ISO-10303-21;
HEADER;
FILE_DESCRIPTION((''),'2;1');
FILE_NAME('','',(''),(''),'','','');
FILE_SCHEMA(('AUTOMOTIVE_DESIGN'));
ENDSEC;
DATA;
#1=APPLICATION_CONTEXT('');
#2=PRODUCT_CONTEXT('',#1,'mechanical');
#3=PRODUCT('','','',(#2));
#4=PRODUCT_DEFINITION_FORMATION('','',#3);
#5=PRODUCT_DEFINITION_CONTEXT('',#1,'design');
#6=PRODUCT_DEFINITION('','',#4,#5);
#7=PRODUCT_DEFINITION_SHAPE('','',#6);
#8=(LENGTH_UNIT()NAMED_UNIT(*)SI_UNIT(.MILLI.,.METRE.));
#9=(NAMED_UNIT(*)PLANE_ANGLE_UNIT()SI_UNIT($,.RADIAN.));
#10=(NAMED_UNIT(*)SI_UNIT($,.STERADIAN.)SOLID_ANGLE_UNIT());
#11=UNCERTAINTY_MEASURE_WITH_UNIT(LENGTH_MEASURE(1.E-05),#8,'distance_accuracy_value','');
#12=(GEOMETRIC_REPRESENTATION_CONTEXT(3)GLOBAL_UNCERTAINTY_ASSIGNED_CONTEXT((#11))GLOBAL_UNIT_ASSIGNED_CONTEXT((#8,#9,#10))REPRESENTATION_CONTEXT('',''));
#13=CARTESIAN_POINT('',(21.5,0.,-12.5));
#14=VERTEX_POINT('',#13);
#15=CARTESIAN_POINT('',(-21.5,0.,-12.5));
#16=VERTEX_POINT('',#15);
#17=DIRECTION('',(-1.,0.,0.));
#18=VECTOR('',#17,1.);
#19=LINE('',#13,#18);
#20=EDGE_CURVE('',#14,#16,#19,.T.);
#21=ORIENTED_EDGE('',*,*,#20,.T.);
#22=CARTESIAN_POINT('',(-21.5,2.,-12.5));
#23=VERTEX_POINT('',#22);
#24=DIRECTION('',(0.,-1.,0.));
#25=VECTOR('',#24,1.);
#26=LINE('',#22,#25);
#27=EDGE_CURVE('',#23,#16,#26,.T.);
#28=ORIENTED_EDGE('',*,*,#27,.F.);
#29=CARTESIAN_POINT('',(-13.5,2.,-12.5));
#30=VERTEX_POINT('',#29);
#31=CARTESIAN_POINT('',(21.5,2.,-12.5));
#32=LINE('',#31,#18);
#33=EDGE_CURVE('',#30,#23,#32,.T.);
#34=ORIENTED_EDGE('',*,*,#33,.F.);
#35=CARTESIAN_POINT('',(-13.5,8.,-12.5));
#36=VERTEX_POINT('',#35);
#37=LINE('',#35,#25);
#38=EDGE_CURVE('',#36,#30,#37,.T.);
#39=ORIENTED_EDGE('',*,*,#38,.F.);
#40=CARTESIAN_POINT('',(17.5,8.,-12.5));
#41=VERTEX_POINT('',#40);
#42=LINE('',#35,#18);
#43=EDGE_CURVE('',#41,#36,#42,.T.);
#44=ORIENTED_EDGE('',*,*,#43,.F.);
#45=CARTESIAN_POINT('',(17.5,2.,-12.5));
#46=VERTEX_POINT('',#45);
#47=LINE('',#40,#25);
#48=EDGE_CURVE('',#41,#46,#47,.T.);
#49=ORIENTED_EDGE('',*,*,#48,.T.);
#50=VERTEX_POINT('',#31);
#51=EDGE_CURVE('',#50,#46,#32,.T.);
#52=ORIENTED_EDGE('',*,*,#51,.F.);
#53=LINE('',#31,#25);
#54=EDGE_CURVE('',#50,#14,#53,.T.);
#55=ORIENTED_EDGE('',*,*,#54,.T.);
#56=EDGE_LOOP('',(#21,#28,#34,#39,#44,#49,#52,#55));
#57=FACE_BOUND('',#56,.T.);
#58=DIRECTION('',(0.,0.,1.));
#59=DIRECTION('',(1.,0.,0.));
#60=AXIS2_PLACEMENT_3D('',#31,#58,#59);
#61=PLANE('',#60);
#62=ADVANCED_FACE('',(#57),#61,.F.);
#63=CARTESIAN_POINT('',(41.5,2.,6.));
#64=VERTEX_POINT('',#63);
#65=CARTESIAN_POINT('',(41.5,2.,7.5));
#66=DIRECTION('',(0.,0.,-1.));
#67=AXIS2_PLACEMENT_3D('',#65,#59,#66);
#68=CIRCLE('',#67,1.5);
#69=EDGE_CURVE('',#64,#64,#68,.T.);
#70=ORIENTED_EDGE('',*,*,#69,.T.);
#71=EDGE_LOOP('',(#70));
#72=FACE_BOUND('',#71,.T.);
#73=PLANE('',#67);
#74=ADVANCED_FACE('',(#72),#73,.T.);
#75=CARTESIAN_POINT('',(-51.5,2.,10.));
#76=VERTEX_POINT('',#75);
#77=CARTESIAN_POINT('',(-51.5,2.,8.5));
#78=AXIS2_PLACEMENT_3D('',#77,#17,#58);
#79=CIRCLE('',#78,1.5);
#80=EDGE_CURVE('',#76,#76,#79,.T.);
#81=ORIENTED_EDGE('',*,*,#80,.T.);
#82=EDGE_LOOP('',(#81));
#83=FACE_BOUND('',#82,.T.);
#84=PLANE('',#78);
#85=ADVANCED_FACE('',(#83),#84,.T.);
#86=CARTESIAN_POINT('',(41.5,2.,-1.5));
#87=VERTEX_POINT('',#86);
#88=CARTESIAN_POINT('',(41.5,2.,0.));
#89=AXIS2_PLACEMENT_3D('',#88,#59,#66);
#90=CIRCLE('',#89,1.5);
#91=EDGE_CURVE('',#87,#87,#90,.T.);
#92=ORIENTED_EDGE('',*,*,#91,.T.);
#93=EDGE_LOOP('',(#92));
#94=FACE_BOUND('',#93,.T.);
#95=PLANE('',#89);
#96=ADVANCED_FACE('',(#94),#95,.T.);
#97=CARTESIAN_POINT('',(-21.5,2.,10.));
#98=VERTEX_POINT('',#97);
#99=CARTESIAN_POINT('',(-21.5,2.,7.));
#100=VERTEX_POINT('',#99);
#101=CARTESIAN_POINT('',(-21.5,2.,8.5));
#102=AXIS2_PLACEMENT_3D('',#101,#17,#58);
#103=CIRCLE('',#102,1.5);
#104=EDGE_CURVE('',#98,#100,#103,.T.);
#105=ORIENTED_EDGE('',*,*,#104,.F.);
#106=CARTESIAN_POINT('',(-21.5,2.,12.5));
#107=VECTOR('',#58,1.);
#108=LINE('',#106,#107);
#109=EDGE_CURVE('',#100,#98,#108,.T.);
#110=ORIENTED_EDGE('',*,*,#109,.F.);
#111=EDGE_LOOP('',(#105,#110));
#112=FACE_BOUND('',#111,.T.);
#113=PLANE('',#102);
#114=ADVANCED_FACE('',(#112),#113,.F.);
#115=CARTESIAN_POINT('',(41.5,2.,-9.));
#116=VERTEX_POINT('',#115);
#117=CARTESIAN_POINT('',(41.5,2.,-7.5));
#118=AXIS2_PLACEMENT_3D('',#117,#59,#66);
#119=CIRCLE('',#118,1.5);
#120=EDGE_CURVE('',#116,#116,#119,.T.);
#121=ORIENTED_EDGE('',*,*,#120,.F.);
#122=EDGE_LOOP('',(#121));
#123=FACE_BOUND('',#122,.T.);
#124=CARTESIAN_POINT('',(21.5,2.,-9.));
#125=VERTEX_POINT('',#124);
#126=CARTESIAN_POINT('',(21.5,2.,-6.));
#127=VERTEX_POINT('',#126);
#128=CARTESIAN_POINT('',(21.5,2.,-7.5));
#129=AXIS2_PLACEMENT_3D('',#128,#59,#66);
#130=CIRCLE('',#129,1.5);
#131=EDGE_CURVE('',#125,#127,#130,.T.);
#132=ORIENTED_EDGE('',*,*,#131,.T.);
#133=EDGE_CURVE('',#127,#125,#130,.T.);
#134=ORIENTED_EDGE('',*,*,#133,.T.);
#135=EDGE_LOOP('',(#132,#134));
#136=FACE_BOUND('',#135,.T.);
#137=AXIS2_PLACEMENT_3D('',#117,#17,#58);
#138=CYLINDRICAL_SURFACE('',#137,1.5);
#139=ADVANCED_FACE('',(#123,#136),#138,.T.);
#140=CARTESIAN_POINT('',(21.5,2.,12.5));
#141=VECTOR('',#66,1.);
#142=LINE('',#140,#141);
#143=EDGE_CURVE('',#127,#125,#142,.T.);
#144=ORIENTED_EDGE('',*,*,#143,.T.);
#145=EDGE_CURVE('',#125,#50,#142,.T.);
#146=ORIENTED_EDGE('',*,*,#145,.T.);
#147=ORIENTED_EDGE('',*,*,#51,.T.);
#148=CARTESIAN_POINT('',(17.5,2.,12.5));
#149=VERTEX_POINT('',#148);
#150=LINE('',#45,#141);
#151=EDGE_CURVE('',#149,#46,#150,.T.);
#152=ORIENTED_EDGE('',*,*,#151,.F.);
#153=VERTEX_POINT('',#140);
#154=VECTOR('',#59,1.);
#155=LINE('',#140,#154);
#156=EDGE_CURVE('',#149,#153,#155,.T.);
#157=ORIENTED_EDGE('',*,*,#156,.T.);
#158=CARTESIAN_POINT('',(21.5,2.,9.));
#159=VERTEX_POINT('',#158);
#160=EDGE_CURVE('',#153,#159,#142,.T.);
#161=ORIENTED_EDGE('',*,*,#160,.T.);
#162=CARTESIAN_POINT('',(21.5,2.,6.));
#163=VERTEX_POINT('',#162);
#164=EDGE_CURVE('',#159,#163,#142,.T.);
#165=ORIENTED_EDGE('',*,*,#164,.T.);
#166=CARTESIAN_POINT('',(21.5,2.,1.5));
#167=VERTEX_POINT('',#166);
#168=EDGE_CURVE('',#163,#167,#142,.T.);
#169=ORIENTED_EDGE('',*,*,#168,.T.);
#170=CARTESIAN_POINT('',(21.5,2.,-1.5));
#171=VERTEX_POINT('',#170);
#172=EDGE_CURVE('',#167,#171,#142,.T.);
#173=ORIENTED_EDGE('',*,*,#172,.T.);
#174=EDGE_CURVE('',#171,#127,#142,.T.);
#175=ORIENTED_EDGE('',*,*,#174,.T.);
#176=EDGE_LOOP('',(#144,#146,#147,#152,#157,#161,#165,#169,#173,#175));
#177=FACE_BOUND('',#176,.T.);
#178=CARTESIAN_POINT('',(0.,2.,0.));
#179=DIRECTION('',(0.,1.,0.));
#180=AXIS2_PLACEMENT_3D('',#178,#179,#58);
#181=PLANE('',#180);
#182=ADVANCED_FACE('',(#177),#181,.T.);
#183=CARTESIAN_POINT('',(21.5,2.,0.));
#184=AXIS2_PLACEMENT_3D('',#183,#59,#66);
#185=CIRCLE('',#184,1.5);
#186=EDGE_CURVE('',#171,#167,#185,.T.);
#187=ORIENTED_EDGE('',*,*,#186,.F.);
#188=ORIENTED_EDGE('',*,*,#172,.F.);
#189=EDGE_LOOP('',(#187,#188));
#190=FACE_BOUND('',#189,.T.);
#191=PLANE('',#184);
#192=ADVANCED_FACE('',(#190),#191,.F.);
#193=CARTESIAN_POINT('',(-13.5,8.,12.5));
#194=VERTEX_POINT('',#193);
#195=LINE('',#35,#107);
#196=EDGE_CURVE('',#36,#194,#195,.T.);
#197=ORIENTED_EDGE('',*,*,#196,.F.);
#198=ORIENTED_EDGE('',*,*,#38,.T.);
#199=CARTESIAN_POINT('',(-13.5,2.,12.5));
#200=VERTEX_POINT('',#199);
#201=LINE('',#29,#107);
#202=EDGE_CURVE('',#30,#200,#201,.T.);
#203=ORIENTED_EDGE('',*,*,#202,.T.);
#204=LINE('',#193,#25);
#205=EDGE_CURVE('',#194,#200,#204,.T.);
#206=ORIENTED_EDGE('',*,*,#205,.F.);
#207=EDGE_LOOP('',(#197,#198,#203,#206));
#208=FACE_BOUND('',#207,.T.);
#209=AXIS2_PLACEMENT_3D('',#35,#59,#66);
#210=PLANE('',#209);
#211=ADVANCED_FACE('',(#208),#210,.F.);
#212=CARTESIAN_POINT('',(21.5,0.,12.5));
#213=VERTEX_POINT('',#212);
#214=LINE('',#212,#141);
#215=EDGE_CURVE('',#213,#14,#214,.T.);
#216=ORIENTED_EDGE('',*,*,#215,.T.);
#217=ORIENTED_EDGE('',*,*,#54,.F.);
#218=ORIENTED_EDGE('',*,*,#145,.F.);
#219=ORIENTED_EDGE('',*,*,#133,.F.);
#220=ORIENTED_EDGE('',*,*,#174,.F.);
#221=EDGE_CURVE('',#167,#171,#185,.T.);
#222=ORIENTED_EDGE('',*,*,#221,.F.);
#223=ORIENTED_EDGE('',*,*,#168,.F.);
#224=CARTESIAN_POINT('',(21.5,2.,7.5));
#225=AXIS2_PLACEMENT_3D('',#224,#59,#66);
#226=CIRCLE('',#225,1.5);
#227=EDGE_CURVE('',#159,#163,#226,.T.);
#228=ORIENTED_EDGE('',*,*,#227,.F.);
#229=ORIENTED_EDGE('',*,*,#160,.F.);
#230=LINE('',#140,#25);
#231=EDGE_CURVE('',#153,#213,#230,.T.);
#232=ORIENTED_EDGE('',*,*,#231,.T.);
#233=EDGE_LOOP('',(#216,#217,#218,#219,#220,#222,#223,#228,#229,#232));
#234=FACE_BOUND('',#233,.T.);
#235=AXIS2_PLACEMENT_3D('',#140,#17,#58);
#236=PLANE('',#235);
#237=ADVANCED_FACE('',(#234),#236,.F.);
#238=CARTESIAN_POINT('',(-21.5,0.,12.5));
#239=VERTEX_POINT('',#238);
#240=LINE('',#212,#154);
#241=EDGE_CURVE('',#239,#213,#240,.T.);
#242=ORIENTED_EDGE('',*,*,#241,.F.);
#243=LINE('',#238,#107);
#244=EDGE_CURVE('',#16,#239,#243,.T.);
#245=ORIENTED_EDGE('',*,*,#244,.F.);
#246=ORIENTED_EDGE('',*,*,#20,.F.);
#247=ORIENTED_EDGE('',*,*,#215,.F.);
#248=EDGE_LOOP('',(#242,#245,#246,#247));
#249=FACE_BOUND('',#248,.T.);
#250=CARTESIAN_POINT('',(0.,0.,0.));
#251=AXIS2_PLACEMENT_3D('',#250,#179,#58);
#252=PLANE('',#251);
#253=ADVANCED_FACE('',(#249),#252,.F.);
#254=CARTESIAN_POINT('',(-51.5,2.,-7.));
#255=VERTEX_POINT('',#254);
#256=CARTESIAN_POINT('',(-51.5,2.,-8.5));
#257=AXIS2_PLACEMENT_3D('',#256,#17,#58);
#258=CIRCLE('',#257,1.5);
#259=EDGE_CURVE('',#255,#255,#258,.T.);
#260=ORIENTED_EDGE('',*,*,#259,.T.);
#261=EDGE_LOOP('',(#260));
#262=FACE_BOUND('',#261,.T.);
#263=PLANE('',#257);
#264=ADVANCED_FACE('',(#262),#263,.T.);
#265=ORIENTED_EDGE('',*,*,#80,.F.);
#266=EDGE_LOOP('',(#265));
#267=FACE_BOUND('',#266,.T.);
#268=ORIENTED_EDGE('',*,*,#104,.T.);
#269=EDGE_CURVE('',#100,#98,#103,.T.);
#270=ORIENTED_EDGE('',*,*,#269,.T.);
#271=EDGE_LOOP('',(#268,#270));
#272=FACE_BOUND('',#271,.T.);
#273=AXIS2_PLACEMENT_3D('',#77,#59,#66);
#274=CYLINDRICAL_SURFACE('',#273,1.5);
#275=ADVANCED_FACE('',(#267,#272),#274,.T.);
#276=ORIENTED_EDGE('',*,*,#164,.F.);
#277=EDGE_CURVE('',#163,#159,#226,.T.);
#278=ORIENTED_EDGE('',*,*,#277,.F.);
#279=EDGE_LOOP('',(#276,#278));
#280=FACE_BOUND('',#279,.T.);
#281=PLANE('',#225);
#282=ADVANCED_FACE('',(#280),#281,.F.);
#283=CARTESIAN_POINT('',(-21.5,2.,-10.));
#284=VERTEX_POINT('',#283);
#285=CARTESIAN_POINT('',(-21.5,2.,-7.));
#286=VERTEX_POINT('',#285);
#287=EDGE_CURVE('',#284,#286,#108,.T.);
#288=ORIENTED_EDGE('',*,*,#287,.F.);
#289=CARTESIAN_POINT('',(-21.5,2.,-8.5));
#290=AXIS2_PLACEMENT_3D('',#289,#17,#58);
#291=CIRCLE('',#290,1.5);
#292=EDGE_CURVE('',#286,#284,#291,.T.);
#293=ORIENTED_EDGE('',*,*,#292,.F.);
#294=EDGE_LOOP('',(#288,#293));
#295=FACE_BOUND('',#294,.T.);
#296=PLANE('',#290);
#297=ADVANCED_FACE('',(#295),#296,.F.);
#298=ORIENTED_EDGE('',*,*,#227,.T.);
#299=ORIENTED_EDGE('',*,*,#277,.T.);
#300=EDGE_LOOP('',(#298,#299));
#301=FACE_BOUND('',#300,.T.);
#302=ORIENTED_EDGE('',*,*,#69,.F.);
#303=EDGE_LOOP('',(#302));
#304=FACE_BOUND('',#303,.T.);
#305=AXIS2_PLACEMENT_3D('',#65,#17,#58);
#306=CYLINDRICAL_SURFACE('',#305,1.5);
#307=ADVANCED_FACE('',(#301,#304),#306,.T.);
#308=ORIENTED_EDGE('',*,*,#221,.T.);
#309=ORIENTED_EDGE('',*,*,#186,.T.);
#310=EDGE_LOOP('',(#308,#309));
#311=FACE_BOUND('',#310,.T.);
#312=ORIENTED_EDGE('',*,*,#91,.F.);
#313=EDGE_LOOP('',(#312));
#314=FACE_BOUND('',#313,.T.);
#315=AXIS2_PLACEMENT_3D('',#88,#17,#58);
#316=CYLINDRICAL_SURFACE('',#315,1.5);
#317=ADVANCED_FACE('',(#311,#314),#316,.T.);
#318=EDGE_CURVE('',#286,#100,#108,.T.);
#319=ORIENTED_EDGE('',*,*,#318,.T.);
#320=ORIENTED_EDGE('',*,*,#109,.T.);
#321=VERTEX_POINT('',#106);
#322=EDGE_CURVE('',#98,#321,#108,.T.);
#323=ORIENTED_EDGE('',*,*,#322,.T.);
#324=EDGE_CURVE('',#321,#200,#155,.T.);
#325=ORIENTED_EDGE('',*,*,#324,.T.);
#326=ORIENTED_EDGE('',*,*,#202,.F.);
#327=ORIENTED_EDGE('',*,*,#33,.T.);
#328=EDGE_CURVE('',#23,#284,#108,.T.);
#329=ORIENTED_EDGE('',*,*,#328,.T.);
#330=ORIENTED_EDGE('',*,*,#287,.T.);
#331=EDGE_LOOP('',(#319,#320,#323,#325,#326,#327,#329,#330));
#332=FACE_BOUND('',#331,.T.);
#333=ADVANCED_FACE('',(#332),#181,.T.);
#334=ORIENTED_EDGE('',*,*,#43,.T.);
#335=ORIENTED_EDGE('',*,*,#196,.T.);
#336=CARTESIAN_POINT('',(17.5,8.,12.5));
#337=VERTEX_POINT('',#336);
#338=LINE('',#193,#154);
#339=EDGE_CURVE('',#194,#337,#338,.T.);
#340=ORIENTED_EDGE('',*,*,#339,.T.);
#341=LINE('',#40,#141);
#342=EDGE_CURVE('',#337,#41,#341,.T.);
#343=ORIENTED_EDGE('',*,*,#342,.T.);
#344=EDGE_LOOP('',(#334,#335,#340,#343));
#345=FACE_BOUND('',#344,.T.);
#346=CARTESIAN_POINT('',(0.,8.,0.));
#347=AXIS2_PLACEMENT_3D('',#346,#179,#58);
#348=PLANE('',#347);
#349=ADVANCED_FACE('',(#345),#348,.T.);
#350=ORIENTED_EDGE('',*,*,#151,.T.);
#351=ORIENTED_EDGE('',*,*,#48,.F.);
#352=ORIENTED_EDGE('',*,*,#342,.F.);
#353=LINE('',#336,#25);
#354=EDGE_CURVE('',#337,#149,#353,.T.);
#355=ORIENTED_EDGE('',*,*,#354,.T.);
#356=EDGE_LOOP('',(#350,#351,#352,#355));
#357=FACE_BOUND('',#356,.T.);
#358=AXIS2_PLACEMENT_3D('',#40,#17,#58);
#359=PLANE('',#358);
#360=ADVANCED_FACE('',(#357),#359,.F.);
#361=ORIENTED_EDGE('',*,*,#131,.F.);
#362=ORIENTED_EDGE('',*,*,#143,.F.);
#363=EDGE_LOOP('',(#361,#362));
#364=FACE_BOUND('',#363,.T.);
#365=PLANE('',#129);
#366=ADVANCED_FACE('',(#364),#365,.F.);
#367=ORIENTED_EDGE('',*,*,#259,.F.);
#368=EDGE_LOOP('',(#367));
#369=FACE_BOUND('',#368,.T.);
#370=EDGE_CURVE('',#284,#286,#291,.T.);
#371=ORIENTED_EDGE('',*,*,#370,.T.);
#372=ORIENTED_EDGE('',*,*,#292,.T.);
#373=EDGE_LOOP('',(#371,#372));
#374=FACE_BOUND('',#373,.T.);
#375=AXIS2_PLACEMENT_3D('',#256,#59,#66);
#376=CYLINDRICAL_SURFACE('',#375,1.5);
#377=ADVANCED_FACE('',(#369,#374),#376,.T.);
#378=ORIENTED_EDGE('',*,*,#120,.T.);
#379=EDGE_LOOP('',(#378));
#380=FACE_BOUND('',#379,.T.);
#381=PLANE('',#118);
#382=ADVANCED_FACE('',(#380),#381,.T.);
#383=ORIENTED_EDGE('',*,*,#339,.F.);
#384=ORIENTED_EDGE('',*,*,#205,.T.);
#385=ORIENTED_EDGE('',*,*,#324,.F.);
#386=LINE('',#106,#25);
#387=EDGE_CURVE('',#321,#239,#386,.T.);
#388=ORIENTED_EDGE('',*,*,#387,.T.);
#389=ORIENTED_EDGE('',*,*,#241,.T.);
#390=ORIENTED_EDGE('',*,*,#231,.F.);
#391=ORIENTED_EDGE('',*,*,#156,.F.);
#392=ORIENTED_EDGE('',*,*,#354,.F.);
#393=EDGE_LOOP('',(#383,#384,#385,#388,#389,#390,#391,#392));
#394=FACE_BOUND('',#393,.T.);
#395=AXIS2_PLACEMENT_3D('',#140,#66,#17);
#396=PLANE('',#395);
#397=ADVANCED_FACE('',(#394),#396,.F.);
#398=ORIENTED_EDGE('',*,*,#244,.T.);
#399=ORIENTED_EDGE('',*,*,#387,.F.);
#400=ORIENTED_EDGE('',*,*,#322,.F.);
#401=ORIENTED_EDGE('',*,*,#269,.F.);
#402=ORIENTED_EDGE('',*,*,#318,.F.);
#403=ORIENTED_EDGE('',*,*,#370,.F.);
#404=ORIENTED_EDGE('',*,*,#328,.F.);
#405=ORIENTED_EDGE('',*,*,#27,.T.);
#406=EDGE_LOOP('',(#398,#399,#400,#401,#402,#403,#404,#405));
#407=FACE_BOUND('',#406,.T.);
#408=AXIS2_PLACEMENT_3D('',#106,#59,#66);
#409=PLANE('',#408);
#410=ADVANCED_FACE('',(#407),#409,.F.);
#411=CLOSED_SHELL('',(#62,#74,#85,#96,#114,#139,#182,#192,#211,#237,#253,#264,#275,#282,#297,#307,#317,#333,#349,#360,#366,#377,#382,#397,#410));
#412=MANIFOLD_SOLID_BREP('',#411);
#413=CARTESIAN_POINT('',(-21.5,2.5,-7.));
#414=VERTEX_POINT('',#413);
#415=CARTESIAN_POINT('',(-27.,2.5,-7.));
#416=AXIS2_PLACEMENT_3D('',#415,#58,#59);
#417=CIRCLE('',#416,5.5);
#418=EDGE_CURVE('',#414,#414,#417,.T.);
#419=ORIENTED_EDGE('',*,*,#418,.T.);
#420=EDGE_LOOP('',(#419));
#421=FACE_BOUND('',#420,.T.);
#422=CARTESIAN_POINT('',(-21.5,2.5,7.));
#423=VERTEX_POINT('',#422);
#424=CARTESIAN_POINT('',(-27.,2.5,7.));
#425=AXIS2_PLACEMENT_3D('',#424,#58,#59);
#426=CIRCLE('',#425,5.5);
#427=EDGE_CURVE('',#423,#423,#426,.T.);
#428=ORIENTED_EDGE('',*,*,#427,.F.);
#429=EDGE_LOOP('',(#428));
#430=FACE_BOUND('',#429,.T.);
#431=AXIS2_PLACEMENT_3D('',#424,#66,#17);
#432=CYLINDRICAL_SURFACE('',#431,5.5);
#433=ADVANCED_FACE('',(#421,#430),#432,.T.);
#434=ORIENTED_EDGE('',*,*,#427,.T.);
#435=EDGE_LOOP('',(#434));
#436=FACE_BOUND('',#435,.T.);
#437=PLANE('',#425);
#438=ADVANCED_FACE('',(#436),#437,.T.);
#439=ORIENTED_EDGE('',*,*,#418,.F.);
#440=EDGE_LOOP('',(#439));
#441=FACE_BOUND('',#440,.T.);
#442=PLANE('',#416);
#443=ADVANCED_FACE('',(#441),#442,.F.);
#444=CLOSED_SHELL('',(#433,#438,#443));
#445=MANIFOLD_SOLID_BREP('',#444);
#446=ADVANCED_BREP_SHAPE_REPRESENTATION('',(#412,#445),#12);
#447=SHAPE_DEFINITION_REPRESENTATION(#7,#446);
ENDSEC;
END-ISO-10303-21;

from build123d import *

# Parameters (mm, degrees)
SKETCH1_W           = 43
SKETCH1_H           = 25
BOSS_EXTRUDE1_DEPTH = 2
SKETCH2_R           = 5.5
BOSS_EXTRUDE2_DEPTH = 7
SKETCH3_W           = 31
SKETCH3_H           = 25
BOSS_EXTRUDE3_DEPTH = 6
SKETCH4_R           = 1.5
BOSS_EXTRUDE4_DEPTH = 30
SKETCH5_R           = 1.5
BOSS_EXTRUDE5_DEPTH = 20


with BuildPart() as part:
    # Sketch1 → Boss-Extrude1 (new body)
    with BuildSketch(Plane(origin=(0, 0, 0), x_dir=(1, 0, 0), z_dir=(0, 1, 0))):
        Rectangle(SKETCH1_W, SKETCH1_H)
    extrude(amount=BOSS_EXTRUDE1_DEPTH)

    # Sketch3 → Boss-Extrude3 (add)
    with BuildSketch(Plane(origin=(0, 2, 0), x_dir=(1, 0, 0), z_dir=(0, 1, 0))):
        with Locations((2, 0)):
            Rectangle(SKETCH3_W, SKETCH3_H)
    extrude(amount=BOSS_EXTRUDE3_DEPTH)

    # Sketch4 → Boss-Extrude4 (add)
    with BuildSketch(Plane.ZY.offset(21.5)):
        with Locations((-8.5, 2)):
            Circle(SKETCH4_R)
        with Locations((8.5, 2)):
            Circle(SKETCH4_R)
    extrude(amount=BOSS_EXTRUDE4_DEPTH)

    # Sketch5 → Boss-Extrude5 (add)
    with BuildSketch(Plane(origin=(21.5, 0, 0), x_dir=(0, 0, -1), z_dir=(1, 0, 0))):
        with Locations((-7.5, 2)):
            Circle(SKETCH5_R)
        with Locations((0, 2)):
            Circle(SKETCH5_R)
        with Locations((7.5, 2)):
            Circle(SKETCH5_R)
    extrude(amount=BOSS_EXTRUDE5_DEPTH)


with BuildPart() as body_2:
    # Sketch2 → Boss-Extrude2 (new body, symmetric)
    with BuildSketch(Plane.XY):
        with Locations((-27, 2.5)):
            Circle(SKETCH2_R)
    extrude(amount=BOSS_EXTRUDE2_DEPTH, both=True)


solid = Compound([part.part, body_2.part])
